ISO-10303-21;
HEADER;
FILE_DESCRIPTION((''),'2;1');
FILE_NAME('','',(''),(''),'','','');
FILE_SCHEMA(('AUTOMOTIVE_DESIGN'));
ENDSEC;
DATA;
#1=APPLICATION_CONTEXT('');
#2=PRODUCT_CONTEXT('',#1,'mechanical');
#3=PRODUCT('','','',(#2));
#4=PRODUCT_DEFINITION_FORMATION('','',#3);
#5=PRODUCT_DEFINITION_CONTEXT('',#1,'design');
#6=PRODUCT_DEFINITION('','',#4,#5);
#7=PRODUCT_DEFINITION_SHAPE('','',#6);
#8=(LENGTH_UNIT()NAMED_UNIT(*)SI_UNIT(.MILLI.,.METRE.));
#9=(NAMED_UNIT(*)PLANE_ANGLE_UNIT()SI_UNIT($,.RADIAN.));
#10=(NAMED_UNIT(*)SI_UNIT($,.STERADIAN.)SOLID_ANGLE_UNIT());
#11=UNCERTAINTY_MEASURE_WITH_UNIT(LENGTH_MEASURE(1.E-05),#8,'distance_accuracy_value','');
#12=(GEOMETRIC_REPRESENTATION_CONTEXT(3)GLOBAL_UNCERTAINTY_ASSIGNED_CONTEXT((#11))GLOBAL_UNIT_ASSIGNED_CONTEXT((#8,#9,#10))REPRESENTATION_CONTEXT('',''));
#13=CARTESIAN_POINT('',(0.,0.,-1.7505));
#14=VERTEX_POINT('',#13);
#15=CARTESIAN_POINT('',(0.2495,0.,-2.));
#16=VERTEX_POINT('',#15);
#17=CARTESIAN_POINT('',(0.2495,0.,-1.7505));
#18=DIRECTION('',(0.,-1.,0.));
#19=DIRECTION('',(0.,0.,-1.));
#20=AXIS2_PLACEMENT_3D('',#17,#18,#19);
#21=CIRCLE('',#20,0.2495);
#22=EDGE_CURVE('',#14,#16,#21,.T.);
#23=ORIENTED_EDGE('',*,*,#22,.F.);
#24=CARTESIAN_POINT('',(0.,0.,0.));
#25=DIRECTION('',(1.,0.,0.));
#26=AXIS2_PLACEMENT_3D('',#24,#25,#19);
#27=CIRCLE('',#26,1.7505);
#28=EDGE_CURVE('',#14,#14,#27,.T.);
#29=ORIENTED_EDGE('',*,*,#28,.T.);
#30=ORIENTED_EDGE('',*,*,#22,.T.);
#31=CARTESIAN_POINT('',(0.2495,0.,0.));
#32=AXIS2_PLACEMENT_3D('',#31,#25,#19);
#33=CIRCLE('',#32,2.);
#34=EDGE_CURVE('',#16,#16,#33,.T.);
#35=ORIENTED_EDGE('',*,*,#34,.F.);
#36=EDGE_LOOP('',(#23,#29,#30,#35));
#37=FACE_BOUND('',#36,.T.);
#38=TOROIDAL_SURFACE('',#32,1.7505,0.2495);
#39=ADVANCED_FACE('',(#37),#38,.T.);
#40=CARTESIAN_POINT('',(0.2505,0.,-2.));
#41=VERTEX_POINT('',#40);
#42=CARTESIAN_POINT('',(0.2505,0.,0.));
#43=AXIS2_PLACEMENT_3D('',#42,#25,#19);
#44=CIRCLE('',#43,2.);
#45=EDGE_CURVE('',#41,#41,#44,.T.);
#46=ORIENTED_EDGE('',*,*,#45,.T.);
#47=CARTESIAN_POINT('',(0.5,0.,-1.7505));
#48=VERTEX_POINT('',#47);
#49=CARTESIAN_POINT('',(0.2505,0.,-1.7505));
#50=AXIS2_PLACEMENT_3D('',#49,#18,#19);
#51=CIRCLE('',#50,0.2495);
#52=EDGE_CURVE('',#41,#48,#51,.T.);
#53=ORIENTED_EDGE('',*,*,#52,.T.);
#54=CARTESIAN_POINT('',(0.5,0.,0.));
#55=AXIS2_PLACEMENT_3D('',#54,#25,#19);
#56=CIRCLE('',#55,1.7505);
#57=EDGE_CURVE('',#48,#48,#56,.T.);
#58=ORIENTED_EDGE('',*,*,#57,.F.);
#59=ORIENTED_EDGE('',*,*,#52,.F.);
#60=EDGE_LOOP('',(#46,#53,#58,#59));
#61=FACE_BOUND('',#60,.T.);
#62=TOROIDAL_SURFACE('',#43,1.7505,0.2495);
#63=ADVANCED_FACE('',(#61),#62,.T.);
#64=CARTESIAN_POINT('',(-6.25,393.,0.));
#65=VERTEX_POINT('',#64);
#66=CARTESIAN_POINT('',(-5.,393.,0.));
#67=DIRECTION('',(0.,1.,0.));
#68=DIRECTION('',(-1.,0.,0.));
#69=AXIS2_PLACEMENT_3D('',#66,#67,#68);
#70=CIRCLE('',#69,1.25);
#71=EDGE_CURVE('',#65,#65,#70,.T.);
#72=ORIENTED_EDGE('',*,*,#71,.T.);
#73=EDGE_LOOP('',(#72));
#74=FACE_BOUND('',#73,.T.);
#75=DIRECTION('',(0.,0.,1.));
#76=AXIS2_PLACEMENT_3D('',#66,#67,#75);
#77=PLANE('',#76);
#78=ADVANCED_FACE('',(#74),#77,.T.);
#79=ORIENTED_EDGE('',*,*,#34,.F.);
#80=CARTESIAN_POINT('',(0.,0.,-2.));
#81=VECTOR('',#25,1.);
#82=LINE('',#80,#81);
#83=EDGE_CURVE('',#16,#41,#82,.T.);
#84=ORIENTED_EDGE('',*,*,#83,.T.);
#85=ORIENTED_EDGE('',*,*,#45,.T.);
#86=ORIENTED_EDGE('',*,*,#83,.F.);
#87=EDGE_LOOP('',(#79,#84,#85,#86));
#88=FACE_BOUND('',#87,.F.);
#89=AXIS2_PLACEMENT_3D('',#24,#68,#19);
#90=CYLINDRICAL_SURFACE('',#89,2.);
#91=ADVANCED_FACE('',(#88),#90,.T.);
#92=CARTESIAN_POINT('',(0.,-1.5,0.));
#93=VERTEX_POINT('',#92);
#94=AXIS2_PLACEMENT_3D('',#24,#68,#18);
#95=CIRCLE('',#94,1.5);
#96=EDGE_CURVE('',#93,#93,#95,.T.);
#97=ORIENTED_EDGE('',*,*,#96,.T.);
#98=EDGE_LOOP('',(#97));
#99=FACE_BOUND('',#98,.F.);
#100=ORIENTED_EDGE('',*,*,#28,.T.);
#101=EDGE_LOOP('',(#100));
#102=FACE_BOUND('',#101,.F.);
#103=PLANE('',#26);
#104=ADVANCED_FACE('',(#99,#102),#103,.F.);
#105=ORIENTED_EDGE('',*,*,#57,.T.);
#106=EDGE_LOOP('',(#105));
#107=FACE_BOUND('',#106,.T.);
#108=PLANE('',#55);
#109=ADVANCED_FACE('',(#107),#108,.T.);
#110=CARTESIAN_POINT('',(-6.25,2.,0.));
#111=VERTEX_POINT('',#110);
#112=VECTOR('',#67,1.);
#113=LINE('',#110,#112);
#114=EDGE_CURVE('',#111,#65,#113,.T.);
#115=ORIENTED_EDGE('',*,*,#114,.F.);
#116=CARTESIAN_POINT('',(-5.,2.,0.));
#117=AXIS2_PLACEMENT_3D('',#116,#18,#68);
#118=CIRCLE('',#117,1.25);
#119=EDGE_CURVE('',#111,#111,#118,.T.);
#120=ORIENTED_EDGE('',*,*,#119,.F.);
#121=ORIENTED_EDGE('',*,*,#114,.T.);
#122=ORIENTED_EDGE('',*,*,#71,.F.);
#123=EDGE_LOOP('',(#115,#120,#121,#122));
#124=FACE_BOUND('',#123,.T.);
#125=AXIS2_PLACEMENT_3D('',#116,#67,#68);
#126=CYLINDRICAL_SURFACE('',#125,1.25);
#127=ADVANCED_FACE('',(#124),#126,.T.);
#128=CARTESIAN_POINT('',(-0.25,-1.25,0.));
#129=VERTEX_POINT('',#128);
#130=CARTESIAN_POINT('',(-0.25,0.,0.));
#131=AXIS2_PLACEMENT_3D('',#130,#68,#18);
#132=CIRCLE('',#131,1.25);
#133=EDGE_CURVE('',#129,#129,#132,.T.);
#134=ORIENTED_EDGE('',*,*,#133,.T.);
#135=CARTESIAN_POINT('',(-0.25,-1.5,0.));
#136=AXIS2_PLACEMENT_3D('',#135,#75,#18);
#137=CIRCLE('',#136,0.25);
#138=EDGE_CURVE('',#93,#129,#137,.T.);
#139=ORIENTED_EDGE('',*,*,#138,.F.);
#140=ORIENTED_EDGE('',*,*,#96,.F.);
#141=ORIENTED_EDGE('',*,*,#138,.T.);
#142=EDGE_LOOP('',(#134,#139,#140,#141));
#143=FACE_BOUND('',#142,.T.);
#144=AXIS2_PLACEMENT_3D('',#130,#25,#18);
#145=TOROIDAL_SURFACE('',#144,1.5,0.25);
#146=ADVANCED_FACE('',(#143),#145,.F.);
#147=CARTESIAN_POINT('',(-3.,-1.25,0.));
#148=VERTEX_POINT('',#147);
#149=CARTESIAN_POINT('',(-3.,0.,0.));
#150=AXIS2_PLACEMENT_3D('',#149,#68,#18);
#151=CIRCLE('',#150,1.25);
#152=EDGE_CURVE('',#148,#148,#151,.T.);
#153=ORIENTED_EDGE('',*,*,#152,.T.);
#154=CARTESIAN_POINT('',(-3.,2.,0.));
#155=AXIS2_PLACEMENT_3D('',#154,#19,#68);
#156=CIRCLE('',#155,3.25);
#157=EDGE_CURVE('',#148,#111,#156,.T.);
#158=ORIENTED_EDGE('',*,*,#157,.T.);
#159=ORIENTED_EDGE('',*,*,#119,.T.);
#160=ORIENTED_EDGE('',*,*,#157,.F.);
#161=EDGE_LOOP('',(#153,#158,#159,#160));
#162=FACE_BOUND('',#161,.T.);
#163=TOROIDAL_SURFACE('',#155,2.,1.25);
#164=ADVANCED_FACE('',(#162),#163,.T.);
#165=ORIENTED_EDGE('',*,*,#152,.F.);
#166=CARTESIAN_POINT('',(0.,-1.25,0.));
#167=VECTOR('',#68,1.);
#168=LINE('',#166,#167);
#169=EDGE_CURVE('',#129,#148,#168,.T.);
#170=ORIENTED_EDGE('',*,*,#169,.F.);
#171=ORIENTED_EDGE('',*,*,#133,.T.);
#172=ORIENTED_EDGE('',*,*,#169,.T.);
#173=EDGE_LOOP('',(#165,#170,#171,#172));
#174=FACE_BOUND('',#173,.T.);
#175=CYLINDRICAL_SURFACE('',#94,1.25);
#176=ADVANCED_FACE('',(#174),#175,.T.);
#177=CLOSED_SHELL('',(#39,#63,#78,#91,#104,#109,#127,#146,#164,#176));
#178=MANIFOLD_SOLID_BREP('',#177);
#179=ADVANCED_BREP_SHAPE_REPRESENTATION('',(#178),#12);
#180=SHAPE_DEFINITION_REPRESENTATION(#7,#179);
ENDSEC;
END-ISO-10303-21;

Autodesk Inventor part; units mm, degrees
ref_plane "YZ Plane" through (0, 0, 0) normal (1, 0, 0) x (0, 1, 0)
ref_plane "XY Plane" through (0, 0, 0) normal (0, 0, 1) x (1, 0, 0)
sketch "Boceto1" plane through (0, 0, 0) normal (0, 0, 1) x (1, 0, 0)
  line L0 (0, 0) -> (-3, 0)
  arc A0 (-5, 2) -> (-3, 0) centre (-3, 2) ccw
  line L1 (-5, 2) -> (-5, 393)
  dimension "d0" = 391
  dimension "d1" = 2
  dimension "d2" = 5
ref_plane "Plano de trabajo1" through (-5, 393, 0) normal (0, 1, 0) x (-1, 0, 0)
sketch "Boceto2" plane through (-5, 393, 0) normal (0, 1, 0) x (-1, 0, 0)
  circle A0 centre (0, 0) radius 1.25
  point P0 (-5, 0)
  point P1 (0, 0)
  point P2 (0, 0)
  point P3 (0, 0)
  dimension "d3" = 2.5
sweep "Barrido1" add profiles "Boceto2" path "Boceto1"
sketch "Boceto4" plane through (0, 0, 0) normal (1, 0, 0) x (0, 0, -1)
  point P0 (0, 0)
  point P1 (0, 0)
sketch "Boceto3" plane through (0, 0, 0) normal (1, 0, 0) x (0, 0, -1)
  circle A0 centre (0, 0) radius 2
  point P0 (0, 0)
  dimension "d6" = 4
extrude "Extrusión1" add sketch "Boceto3" along normal blind 0.5
fillet "Empalme1" radius 0.25 1 edges at (0, 1.25, 0)
fillet "Empalme2" radius 0.25 2 edges at (0, 0, 2) (0.5, 0, 2)
thread "Rosca1"
properties part number "radio" material "Acero inoxidable"
